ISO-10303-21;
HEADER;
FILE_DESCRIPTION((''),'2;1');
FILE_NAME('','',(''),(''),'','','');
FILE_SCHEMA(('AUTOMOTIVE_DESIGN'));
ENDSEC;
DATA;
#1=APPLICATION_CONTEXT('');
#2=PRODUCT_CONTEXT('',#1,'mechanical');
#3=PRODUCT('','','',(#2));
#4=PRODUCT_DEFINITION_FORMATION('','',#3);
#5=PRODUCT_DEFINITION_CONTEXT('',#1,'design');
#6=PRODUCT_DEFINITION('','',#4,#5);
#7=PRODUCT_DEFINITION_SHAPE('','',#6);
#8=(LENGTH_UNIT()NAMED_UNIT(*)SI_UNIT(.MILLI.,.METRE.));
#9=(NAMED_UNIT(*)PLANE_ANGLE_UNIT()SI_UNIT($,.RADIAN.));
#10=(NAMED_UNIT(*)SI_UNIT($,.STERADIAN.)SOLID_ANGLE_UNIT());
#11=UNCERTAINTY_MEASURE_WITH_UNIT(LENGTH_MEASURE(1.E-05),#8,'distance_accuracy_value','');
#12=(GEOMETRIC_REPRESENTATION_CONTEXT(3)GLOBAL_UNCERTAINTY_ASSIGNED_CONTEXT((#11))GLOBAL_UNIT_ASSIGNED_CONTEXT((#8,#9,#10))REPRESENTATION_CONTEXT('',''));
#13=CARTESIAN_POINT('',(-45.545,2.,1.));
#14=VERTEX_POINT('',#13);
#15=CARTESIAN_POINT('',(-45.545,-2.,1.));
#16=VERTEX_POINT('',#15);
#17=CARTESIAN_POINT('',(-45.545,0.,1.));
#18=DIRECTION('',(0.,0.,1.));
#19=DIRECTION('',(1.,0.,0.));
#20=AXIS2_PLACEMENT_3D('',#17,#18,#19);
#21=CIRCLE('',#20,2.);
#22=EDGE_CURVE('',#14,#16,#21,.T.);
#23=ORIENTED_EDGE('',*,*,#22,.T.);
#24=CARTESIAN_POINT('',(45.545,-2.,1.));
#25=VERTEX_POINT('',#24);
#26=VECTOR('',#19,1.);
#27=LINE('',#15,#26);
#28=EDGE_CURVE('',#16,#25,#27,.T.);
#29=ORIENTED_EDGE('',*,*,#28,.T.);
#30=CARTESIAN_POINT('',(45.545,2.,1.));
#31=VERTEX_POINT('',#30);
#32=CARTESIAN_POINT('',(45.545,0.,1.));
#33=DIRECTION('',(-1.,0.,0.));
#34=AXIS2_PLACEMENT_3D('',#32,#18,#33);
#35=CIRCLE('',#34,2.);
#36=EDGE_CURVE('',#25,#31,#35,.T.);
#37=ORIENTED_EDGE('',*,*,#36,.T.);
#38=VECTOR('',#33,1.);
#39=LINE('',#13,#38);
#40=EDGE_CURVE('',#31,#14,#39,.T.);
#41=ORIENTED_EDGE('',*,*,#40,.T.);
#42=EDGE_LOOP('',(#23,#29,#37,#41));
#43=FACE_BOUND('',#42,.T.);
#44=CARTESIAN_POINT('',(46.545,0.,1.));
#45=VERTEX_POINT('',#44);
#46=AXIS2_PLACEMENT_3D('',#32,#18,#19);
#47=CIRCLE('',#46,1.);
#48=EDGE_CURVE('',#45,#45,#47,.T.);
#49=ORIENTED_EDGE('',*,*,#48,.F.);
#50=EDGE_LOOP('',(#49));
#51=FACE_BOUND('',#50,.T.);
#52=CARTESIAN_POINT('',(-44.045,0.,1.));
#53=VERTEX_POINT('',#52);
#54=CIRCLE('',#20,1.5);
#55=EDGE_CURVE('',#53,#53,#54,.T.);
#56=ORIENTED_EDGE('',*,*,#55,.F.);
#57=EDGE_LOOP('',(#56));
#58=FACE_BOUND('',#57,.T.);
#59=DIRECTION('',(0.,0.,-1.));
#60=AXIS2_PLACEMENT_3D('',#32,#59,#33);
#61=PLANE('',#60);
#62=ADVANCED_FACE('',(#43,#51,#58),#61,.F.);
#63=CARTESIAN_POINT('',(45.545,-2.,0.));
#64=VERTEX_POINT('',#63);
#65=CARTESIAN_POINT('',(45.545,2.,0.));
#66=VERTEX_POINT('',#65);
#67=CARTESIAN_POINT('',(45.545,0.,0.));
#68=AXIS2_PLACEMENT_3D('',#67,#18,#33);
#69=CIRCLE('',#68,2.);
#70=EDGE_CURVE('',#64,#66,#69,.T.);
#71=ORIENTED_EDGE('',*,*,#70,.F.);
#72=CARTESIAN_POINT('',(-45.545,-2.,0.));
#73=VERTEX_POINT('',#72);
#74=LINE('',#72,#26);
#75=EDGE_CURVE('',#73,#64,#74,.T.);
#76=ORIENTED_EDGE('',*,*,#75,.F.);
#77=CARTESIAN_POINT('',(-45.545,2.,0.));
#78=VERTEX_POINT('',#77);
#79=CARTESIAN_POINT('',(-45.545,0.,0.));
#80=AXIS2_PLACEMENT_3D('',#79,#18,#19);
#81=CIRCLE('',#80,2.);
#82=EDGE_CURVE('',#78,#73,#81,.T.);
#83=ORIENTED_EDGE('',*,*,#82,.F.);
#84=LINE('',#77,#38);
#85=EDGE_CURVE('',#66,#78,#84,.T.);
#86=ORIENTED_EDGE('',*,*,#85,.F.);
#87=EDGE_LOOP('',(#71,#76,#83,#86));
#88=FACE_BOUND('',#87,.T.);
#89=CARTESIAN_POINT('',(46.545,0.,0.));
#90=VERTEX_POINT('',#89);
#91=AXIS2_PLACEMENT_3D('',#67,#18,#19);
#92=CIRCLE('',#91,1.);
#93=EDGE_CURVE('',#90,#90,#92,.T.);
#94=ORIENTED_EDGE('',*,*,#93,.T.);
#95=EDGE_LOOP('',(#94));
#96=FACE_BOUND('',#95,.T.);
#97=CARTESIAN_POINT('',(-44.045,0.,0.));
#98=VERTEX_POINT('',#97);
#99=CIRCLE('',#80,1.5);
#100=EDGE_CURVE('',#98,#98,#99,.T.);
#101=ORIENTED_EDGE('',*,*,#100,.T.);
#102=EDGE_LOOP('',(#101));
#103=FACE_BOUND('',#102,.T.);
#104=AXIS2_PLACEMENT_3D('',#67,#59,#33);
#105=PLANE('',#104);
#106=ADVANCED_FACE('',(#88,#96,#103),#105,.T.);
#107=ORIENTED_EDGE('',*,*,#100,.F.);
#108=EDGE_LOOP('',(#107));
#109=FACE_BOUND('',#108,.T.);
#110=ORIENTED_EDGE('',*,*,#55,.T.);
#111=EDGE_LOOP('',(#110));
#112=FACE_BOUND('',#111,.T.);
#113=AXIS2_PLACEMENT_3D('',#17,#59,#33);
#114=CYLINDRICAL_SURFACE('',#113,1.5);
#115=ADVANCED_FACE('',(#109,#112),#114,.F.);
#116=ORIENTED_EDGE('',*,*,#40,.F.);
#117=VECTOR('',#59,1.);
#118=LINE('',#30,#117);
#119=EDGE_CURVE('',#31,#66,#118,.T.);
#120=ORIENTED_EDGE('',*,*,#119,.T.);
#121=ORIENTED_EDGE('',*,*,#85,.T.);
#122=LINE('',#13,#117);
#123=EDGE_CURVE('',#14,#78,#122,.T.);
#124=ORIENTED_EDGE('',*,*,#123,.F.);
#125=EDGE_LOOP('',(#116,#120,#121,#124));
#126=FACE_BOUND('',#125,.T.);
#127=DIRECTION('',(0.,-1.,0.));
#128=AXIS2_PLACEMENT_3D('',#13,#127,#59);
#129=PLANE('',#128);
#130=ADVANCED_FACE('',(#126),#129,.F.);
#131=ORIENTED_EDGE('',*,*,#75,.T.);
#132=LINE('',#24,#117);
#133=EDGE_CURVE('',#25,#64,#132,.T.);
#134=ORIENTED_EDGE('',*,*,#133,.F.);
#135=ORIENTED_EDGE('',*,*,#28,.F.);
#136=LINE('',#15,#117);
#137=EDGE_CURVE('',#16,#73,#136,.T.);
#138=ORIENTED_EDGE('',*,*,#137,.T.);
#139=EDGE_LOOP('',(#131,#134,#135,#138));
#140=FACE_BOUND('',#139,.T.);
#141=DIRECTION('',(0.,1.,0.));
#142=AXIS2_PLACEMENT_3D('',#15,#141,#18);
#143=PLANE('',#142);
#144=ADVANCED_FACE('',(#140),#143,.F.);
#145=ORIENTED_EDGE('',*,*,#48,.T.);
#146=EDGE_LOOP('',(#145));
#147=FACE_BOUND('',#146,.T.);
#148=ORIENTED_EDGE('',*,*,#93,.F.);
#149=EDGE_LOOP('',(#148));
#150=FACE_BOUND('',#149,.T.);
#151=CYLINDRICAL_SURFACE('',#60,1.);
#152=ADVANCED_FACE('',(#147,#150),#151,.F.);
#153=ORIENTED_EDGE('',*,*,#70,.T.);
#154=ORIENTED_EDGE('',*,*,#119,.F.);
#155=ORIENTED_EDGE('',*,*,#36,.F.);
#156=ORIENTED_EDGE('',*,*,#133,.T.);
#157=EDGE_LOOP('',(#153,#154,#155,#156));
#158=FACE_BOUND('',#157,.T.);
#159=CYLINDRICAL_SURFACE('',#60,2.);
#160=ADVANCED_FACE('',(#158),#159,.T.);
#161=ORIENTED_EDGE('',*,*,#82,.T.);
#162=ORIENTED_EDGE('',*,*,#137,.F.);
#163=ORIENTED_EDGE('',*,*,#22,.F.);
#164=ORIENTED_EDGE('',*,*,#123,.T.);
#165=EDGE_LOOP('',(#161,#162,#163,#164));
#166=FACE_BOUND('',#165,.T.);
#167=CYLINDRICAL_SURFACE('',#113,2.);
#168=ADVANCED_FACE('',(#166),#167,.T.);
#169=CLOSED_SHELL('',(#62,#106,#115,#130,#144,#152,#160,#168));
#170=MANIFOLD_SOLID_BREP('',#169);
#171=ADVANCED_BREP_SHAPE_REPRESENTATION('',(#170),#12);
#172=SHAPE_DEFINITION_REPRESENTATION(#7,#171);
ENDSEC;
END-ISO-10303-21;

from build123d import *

# Parameters (mm, degrees)
ESBO_O1_R                = 1.5
ESBO_O1_R_2              = 1
RESSALTO_EXTRUS_O1_DEPTH = 1


with BuildPart() as part:
    # Esboço1 → Ressalto-extrusão1 (new body)
    with BuildSketch(Plane.XY):
        with BuildLine():
            Line((-45.545, 2), (45.545, 2))
            ThreePointArc((45.545, 2), (47.545, 0), (45.545, -2))
            Line((45.545, -2), (-45.545, -2))
            ThreePointArc((-45.545, -2), (-47.545, 0), (-45.545, 2))
        make_face()
        with Locations((-45.545, 0)):
            Circle(ESBO_O1_R, mode=Mode.SUBTRACT)
        with Locations((45.545, 0)):
            Circle(ESBO_O1_R_2, mode=Mode.SUBTRACT)
    extrude(amount=RESSALTO_EXTRUS_O1_DEPTH)


solid = part.part
